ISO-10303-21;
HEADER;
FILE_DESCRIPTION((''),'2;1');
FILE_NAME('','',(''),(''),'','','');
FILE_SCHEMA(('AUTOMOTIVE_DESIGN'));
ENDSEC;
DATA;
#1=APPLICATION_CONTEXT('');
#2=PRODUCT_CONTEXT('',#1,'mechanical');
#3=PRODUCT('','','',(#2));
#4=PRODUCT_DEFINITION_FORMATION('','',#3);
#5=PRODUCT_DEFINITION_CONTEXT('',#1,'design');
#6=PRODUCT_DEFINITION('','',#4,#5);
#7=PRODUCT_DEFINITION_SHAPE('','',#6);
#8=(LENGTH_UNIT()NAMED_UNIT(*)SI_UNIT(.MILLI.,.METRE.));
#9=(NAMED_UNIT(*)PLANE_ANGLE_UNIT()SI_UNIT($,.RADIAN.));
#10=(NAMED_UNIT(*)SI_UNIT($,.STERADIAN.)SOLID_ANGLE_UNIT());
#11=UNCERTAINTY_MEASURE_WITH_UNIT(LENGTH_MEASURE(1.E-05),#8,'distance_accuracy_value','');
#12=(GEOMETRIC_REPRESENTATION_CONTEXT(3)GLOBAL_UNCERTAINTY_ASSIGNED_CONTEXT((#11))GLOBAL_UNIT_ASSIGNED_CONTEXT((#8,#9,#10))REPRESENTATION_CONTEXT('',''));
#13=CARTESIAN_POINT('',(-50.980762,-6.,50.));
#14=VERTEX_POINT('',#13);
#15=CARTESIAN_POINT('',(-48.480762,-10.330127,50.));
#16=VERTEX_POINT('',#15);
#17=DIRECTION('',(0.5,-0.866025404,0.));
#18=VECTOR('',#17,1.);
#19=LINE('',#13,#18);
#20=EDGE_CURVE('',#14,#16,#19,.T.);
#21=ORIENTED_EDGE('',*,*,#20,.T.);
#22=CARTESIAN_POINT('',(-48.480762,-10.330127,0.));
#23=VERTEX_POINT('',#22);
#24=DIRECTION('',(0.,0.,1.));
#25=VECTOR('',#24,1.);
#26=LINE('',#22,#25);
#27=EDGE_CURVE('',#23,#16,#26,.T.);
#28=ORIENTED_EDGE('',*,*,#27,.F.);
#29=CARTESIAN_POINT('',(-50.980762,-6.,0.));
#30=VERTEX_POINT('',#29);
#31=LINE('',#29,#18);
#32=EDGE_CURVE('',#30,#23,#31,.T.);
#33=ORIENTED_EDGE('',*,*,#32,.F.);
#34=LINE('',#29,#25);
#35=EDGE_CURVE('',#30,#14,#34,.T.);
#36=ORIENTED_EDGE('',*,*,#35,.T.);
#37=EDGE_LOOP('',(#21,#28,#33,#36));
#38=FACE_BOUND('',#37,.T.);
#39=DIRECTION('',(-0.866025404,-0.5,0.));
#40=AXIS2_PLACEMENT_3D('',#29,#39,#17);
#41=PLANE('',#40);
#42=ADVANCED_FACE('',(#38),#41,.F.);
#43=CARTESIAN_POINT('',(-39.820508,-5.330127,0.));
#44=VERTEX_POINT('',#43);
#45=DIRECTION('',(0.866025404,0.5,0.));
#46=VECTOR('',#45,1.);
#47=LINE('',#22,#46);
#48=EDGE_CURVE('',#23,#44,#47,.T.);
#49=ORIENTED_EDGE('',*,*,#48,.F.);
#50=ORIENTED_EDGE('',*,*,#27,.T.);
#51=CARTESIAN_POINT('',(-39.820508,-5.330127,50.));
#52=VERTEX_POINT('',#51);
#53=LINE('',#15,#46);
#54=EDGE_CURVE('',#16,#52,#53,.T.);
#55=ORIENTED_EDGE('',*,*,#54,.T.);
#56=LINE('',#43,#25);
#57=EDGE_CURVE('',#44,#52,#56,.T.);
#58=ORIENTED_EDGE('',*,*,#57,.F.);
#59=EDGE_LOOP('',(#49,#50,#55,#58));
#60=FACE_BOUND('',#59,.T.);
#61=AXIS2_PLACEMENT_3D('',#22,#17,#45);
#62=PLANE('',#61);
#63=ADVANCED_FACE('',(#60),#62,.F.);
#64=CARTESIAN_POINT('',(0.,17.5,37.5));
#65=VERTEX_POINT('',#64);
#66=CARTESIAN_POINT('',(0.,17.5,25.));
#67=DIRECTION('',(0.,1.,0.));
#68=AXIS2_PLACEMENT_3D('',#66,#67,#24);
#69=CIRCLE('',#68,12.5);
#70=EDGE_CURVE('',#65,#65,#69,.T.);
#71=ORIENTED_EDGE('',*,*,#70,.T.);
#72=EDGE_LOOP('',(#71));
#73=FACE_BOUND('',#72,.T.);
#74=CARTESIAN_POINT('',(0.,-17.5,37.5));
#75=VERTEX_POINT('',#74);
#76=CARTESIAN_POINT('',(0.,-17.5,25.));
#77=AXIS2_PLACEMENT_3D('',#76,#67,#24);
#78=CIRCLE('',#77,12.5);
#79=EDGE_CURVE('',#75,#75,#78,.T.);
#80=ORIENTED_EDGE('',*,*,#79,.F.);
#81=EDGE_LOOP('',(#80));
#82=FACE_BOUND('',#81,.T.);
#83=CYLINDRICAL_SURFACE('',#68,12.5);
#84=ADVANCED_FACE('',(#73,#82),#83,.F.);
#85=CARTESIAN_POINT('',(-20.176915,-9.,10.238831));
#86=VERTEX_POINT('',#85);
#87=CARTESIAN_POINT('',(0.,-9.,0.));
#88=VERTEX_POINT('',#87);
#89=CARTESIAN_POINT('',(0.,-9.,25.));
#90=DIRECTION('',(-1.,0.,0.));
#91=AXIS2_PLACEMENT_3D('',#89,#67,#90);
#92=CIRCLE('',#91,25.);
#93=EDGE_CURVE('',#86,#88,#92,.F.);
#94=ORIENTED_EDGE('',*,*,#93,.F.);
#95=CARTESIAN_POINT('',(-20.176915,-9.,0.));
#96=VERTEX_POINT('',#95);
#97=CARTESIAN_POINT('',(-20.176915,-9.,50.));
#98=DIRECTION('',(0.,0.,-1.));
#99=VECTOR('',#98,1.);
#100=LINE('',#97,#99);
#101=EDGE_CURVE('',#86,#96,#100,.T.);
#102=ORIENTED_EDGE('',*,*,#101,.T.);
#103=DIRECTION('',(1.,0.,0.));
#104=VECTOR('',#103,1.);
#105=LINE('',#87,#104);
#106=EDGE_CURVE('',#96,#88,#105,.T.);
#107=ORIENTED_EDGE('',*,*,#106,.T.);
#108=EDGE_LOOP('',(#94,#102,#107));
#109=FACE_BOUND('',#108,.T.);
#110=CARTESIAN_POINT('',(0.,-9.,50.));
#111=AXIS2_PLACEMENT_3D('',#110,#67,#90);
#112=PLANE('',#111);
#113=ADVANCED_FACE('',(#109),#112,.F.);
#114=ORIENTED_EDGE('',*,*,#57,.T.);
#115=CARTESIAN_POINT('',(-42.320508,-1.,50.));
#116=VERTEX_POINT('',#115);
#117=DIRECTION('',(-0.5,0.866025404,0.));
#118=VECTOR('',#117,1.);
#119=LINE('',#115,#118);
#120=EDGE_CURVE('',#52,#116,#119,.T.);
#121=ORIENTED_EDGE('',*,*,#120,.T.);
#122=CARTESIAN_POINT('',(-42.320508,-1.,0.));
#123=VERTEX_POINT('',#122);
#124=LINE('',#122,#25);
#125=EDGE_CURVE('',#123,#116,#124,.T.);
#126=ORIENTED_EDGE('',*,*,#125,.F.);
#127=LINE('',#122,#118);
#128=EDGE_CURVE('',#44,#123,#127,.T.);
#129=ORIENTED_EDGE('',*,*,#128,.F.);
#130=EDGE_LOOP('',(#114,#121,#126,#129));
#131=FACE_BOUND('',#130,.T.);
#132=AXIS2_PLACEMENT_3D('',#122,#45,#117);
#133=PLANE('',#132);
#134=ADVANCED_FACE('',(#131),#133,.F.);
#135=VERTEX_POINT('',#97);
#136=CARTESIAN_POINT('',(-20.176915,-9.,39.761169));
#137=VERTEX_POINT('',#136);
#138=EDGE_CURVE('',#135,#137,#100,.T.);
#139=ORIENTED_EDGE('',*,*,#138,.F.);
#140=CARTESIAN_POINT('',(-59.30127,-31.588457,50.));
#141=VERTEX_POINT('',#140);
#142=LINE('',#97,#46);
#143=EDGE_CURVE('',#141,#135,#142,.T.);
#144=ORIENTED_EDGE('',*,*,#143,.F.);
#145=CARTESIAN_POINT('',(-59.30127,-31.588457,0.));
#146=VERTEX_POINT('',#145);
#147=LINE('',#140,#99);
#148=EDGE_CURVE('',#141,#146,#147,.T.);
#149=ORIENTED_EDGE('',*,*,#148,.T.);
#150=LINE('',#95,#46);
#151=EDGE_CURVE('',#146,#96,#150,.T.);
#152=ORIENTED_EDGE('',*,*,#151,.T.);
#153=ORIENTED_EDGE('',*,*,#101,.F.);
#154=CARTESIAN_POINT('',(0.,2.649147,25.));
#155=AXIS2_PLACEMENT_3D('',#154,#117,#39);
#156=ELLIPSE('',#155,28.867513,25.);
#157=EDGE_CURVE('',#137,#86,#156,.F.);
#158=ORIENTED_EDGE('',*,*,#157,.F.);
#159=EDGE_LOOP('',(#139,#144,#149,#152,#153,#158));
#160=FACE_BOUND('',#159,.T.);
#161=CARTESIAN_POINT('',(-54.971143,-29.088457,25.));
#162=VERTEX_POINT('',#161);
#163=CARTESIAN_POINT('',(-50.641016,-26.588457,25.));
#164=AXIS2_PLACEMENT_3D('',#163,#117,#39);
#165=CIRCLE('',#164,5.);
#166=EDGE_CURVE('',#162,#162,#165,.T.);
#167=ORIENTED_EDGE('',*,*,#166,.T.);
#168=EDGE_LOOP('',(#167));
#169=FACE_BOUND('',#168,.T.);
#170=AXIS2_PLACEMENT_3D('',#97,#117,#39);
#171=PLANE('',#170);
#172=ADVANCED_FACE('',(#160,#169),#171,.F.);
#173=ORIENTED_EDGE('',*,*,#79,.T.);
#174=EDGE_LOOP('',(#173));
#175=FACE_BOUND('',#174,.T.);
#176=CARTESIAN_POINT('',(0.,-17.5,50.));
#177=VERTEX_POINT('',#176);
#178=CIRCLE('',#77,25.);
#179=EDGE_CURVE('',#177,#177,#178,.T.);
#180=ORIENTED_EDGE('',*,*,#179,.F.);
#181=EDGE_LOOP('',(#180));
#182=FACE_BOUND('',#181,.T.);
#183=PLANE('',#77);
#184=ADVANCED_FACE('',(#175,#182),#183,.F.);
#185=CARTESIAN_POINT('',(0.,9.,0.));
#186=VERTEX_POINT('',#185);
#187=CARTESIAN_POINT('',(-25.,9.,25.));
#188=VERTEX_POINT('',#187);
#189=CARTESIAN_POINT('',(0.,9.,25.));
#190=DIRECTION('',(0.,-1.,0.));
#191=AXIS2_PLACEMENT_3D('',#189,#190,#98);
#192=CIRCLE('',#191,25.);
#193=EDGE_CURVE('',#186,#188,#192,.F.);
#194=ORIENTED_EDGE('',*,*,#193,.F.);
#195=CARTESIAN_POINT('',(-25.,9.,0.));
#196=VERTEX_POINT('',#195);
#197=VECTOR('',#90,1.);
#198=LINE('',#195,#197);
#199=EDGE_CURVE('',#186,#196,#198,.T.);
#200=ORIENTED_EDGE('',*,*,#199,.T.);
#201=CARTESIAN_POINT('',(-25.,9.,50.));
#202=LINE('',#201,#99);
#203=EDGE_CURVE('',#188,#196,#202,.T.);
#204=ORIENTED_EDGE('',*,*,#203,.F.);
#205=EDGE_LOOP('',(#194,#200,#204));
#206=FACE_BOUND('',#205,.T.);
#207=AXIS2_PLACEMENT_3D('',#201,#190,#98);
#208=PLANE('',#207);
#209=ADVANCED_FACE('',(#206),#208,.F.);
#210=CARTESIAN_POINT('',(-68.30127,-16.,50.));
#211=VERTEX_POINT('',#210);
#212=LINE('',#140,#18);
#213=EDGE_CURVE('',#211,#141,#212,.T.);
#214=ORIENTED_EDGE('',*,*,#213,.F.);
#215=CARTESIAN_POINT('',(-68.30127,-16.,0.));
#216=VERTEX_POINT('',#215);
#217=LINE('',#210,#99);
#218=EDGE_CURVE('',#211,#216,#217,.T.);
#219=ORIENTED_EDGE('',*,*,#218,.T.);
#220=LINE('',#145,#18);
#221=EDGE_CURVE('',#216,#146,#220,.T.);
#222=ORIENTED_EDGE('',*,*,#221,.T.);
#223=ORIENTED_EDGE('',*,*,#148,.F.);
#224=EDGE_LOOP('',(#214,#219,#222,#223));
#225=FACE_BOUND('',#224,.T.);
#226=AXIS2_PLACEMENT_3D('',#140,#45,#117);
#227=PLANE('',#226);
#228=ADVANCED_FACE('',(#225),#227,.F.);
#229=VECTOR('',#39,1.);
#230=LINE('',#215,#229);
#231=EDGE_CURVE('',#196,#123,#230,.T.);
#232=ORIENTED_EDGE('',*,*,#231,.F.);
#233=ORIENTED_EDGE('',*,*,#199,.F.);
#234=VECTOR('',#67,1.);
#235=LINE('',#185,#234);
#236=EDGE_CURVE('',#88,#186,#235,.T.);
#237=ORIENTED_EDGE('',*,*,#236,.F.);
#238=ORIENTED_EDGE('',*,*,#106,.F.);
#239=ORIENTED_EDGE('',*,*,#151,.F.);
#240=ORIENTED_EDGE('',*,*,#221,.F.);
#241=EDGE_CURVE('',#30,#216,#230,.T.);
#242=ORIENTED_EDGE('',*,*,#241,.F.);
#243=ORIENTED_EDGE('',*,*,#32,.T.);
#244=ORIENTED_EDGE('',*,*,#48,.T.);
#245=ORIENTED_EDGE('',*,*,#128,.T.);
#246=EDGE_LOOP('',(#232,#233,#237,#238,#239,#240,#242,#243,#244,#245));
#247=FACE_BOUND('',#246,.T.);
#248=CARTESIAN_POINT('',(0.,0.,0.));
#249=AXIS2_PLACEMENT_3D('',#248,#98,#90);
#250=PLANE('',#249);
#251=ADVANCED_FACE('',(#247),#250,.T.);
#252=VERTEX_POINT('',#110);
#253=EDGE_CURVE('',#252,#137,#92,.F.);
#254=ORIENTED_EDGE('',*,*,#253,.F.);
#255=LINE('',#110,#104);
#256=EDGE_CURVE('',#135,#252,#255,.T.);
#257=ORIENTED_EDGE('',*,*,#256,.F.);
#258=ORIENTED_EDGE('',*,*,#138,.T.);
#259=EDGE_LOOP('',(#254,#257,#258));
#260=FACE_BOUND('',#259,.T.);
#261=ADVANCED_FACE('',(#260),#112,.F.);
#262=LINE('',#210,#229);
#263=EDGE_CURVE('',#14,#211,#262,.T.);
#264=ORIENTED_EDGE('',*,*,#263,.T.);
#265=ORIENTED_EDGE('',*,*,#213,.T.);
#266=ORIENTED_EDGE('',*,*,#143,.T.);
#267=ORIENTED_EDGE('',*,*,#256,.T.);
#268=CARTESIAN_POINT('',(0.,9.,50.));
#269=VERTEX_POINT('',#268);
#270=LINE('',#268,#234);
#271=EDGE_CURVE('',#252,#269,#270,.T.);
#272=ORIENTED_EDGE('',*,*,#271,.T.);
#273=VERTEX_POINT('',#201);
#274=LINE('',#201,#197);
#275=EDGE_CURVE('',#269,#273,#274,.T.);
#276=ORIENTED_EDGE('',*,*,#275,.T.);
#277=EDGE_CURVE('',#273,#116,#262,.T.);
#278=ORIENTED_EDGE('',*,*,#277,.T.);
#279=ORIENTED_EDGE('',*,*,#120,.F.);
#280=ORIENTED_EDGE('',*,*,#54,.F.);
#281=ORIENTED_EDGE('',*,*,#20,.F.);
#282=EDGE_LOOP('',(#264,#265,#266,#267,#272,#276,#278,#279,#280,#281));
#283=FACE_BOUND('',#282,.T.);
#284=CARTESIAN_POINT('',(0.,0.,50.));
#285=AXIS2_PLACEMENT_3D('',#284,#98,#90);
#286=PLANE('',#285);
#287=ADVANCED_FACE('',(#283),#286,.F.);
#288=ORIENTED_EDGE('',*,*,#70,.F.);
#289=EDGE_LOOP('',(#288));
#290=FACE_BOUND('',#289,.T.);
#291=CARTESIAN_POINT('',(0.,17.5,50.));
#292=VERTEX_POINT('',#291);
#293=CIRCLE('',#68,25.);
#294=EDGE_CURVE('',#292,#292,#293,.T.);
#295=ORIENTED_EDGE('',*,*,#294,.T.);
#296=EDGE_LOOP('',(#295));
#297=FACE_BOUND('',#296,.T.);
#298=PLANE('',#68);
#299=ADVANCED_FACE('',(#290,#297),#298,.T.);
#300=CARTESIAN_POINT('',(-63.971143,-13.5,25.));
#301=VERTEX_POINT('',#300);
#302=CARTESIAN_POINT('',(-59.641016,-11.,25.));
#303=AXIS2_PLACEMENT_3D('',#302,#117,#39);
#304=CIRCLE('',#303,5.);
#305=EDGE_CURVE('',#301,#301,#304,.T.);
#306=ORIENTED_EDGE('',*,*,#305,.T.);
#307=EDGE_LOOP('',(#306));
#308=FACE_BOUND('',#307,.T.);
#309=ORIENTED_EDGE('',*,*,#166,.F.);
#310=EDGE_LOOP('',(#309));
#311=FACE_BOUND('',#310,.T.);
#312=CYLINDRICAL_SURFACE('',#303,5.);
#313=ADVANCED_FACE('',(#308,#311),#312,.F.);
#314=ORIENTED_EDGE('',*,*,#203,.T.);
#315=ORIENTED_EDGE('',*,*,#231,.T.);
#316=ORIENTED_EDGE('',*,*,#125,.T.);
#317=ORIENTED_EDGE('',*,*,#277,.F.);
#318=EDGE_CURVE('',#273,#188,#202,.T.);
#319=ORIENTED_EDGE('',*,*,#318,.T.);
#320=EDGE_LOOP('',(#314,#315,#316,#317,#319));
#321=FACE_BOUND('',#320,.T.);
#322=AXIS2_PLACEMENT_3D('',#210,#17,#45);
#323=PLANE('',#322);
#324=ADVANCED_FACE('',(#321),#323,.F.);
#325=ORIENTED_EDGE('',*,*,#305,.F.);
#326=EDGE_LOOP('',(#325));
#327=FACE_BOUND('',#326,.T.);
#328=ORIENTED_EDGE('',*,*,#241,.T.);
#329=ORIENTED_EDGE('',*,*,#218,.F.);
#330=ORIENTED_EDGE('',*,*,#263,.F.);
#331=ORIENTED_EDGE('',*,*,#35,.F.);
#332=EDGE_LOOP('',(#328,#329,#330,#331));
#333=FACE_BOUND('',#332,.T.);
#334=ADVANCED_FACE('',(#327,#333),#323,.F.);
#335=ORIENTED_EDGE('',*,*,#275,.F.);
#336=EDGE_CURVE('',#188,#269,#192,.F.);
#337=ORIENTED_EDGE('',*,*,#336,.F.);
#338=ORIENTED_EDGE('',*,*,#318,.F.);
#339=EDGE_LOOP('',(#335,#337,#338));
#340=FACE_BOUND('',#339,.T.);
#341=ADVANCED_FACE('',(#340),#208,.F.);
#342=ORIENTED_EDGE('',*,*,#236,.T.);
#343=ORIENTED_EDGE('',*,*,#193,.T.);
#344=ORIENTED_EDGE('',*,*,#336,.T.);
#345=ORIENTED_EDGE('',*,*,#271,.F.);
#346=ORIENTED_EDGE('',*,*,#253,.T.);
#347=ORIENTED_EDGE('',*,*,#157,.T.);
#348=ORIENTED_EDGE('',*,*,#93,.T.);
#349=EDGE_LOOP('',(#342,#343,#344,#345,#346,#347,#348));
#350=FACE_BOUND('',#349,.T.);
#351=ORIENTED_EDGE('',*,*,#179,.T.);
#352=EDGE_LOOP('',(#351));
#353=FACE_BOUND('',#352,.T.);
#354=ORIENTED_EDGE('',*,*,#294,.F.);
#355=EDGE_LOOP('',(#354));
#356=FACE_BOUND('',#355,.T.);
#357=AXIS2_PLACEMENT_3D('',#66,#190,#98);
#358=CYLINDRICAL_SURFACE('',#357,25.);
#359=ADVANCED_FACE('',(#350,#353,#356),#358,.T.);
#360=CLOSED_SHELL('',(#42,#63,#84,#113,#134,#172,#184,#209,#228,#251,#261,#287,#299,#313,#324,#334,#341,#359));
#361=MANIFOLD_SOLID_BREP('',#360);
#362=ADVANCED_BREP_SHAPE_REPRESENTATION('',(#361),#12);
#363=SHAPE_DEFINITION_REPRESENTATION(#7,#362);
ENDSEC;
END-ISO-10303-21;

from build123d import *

# Parameters (mm, degrees)
BOSS_EXTRUDE1_DEPTH = 50
SKETCH3_R           = 25
BOSS_EXTRUDE2_DEPTH = 17.5
HOLE1_D             = 25
HOLE2_D             = 10
CUT_EXTRUDE1_DEPTH  = 91.34873625


with BuildPart() as part:
    # Sketch1 → Boss-Extrude1 (new body)
    with BuildSketch(Plane.XY):
        Polygon((0, 9), (0, -9), (-20.176914536, -9), (-59.301270189, -31.588457268), (-68.301270189, -16), (-25, 9), align=None)
    extrude(amount=BOSS_EXTRUDE1_DEPTH)

    # Sketch3 → Boss-Extrude2 (add, symmetric)
    with BuildSketch(Plane(origin=(0, 0, 0), x_dir=(1, 0, 0), z_dir=(0, 1, 0))):
        with Locations(Location((0, -25, 0), (0, 0, 270))):
            Circle(SKETCH3_R)
    extrude(amount=BOSS_EXTRUDE2_DEPTH, both=True)

    # Hole1 (through all)
    with Locations(Plane(origin=(0, 17.5, 0), x_dir=(1, 0, 0), z_dir=(0, 1, 0))):
        with Locations((0, -25)):
            Hole(HOLE1_D / 2)

    # Hole2 (through all)
    with Locations(Plane(origin=(-10.147114317, 17.575317547, 0), x_dir=(0.8660254037844378, 0.5000000000000017, 0), z_dir=(-0.5000000000000016, 0.8660254037844377, 0))):
        with Locations((-57.150635095, -25)):
            Hole(HOLE2_D / 2)

    # Sketch9 → Cut-Extrude1 (cut, through all)
    with BuildSketch(Plane.XY.offset(50)):
        Polygon((-50.980762114, -6), (-42.320508076, -1), (-39.820508076, -5.330127019), (-48.480762114, -10.330127019), align=None)
    extrude(amount=-CUT_EXTRUDE1_DEPTH, mode=Mode.SUBTRACT)


solid = part.part
